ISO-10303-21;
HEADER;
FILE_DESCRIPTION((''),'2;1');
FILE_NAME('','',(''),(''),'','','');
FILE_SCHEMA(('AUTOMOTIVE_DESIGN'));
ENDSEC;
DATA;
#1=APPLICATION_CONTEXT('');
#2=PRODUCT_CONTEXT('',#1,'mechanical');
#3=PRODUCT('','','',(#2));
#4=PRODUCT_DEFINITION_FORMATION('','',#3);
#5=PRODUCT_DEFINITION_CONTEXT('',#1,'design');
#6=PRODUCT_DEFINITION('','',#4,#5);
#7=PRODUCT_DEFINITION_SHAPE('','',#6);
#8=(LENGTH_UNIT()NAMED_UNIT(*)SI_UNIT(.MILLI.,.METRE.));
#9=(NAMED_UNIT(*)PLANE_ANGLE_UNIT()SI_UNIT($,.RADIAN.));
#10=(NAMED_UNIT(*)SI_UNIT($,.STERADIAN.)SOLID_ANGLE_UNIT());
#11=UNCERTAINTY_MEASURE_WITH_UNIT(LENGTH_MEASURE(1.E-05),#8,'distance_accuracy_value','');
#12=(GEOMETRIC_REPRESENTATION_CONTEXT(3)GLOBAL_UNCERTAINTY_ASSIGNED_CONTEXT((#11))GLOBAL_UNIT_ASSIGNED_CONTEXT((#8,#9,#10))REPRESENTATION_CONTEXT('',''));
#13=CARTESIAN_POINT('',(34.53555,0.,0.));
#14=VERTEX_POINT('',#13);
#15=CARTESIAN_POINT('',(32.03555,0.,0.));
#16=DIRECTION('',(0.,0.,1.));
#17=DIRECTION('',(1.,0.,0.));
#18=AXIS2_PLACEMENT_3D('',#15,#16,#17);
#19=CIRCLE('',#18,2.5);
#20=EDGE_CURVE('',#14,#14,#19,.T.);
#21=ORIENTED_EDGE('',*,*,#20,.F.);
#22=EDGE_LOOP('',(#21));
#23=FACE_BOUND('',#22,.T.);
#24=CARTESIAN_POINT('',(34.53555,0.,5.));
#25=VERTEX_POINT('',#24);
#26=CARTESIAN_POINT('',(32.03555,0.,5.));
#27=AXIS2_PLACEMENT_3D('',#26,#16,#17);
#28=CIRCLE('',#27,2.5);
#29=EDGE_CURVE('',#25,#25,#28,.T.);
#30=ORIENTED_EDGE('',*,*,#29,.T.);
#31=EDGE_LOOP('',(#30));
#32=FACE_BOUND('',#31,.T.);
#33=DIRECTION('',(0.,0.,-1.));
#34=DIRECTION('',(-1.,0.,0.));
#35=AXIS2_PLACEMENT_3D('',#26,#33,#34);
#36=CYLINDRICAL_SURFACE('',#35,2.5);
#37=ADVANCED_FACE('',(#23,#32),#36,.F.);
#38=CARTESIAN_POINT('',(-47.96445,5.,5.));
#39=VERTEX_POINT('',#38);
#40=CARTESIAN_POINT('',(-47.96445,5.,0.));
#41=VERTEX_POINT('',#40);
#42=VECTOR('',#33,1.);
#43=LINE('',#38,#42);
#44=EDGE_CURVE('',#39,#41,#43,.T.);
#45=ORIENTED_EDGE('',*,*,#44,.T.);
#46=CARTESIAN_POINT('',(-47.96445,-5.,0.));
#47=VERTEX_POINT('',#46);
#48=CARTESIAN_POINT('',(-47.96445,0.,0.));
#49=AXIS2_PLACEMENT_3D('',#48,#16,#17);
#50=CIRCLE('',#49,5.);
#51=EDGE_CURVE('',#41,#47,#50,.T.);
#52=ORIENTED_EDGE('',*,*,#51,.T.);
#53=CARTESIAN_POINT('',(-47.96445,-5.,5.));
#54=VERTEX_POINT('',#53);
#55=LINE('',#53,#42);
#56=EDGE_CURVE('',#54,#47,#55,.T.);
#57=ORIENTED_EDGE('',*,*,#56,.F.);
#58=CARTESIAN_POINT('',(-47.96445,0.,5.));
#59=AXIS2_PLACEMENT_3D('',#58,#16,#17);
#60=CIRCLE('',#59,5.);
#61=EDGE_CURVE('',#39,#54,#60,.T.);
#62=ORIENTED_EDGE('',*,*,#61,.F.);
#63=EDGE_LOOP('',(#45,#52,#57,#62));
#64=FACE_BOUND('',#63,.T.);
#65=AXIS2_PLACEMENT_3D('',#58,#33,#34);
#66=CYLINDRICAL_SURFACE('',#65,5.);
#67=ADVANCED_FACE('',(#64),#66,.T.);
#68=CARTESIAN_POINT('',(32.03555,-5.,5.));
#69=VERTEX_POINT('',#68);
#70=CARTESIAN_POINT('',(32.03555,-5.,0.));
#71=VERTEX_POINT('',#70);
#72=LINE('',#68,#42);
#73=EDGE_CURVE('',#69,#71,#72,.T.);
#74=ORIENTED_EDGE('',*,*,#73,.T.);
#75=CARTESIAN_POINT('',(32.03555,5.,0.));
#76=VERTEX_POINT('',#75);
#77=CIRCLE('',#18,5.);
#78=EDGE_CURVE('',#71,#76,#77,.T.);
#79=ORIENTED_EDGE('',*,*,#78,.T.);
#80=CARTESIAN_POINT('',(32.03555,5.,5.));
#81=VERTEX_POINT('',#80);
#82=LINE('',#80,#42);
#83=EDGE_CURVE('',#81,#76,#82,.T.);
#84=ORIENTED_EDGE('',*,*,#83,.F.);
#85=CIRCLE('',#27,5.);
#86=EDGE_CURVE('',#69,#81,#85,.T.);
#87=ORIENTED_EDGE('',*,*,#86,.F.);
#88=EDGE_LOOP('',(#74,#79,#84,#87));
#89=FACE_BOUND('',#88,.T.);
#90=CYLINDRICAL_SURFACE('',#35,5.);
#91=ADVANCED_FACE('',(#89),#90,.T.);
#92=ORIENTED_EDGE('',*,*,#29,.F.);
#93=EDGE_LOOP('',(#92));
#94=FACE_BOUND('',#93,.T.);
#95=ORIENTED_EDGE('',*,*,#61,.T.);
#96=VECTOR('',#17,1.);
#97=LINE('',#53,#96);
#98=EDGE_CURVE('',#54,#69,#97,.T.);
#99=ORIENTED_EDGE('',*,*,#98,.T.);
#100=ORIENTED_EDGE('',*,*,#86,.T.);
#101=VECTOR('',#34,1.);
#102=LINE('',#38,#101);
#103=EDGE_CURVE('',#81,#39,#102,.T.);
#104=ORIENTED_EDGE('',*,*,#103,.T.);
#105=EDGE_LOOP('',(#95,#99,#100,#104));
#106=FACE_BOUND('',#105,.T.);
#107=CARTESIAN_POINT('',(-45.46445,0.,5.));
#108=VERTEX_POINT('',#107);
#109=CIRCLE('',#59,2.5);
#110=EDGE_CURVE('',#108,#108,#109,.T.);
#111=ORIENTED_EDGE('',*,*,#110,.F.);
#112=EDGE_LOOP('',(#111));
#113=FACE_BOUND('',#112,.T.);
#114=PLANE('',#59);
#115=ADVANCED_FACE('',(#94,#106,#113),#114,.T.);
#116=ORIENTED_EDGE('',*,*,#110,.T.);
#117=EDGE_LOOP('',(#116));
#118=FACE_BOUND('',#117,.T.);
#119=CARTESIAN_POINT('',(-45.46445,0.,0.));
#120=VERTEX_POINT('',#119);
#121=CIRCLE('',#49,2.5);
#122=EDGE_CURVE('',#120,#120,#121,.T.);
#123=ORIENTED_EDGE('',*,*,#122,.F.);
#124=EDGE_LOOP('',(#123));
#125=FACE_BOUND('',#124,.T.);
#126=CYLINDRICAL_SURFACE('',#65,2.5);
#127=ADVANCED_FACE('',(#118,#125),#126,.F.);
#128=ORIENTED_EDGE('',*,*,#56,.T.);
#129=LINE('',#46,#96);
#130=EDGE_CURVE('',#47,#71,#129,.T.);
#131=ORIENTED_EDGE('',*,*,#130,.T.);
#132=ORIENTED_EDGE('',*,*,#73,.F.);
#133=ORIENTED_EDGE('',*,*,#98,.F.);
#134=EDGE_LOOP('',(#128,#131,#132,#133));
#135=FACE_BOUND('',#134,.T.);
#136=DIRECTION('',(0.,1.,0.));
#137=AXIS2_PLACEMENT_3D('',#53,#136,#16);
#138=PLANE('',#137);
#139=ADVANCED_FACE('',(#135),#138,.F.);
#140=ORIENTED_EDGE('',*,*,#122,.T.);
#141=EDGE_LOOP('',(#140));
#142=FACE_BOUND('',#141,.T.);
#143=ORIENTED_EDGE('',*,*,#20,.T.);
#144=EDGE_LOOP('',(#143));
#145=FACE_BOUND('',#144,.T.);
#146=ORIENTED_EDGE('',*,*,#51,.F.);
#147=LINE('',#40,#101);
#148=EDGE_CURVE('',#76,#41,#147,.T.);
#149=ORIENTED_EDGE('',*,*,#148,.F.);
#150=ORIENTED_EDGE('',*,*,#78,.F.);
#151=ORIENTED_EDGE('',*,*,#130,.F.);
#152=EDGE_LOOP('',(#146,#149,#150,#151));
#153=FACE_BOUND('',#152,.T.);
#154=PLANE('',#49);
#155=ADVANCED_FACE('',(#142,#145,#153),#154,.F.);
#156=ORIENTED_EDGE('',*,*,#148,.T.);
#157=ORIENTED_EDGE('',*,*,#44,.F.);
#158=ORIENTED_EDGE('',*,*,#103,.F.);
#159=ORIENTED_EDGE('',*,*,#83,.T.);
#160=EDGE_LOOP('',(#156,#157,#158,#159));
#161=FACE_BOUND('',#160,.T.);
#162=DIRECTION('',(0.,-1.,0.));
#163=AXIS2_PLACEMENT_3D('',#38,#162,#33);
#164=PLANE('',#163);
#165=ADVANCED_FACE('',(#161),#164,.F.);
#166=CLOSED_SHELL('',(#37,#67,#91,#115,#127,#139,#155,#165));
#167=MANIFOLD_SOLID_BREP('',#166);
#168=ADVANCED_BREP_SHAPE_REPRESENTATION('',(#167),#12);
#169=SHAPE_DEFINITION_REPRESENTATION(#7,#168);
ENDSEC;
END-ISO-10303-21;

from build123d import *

# Parameters (mm, degrees)
SKETCH2_R           = 2.5
BOSS_EXTRUDE1_DEPTH = 5


with BuildPart() as part:
    # Sketch2 → Boss-Extrude1 (new body)
    with BuildSketch(Plane.XY):
        with BuildLine():
            Line((-47.964450024, 5), (32.035549976, 5))
            ThreePointArc((32.035549976, 5), (37.035549976, 0), (32.035549976, -5))
            Line((32.035549976, -5), (-47.964450024, -5))
            ThreePointArc((-47.964450024, -5), (-52.964450024, 0), (-47.964450024, 5))
        make_face()
        with Locations((-47.964450024, 0)):
            Circle(SKETCH2_R, mode=Mode.SUBTRACT)
        with Locations((32.035549976, 0)):
            Circle(SKETCH2_R, mode=Mode.SUBTRACT)
    extrude(amount=BOSS_EXTRUDE1_DEPTH)


solid = part.part
